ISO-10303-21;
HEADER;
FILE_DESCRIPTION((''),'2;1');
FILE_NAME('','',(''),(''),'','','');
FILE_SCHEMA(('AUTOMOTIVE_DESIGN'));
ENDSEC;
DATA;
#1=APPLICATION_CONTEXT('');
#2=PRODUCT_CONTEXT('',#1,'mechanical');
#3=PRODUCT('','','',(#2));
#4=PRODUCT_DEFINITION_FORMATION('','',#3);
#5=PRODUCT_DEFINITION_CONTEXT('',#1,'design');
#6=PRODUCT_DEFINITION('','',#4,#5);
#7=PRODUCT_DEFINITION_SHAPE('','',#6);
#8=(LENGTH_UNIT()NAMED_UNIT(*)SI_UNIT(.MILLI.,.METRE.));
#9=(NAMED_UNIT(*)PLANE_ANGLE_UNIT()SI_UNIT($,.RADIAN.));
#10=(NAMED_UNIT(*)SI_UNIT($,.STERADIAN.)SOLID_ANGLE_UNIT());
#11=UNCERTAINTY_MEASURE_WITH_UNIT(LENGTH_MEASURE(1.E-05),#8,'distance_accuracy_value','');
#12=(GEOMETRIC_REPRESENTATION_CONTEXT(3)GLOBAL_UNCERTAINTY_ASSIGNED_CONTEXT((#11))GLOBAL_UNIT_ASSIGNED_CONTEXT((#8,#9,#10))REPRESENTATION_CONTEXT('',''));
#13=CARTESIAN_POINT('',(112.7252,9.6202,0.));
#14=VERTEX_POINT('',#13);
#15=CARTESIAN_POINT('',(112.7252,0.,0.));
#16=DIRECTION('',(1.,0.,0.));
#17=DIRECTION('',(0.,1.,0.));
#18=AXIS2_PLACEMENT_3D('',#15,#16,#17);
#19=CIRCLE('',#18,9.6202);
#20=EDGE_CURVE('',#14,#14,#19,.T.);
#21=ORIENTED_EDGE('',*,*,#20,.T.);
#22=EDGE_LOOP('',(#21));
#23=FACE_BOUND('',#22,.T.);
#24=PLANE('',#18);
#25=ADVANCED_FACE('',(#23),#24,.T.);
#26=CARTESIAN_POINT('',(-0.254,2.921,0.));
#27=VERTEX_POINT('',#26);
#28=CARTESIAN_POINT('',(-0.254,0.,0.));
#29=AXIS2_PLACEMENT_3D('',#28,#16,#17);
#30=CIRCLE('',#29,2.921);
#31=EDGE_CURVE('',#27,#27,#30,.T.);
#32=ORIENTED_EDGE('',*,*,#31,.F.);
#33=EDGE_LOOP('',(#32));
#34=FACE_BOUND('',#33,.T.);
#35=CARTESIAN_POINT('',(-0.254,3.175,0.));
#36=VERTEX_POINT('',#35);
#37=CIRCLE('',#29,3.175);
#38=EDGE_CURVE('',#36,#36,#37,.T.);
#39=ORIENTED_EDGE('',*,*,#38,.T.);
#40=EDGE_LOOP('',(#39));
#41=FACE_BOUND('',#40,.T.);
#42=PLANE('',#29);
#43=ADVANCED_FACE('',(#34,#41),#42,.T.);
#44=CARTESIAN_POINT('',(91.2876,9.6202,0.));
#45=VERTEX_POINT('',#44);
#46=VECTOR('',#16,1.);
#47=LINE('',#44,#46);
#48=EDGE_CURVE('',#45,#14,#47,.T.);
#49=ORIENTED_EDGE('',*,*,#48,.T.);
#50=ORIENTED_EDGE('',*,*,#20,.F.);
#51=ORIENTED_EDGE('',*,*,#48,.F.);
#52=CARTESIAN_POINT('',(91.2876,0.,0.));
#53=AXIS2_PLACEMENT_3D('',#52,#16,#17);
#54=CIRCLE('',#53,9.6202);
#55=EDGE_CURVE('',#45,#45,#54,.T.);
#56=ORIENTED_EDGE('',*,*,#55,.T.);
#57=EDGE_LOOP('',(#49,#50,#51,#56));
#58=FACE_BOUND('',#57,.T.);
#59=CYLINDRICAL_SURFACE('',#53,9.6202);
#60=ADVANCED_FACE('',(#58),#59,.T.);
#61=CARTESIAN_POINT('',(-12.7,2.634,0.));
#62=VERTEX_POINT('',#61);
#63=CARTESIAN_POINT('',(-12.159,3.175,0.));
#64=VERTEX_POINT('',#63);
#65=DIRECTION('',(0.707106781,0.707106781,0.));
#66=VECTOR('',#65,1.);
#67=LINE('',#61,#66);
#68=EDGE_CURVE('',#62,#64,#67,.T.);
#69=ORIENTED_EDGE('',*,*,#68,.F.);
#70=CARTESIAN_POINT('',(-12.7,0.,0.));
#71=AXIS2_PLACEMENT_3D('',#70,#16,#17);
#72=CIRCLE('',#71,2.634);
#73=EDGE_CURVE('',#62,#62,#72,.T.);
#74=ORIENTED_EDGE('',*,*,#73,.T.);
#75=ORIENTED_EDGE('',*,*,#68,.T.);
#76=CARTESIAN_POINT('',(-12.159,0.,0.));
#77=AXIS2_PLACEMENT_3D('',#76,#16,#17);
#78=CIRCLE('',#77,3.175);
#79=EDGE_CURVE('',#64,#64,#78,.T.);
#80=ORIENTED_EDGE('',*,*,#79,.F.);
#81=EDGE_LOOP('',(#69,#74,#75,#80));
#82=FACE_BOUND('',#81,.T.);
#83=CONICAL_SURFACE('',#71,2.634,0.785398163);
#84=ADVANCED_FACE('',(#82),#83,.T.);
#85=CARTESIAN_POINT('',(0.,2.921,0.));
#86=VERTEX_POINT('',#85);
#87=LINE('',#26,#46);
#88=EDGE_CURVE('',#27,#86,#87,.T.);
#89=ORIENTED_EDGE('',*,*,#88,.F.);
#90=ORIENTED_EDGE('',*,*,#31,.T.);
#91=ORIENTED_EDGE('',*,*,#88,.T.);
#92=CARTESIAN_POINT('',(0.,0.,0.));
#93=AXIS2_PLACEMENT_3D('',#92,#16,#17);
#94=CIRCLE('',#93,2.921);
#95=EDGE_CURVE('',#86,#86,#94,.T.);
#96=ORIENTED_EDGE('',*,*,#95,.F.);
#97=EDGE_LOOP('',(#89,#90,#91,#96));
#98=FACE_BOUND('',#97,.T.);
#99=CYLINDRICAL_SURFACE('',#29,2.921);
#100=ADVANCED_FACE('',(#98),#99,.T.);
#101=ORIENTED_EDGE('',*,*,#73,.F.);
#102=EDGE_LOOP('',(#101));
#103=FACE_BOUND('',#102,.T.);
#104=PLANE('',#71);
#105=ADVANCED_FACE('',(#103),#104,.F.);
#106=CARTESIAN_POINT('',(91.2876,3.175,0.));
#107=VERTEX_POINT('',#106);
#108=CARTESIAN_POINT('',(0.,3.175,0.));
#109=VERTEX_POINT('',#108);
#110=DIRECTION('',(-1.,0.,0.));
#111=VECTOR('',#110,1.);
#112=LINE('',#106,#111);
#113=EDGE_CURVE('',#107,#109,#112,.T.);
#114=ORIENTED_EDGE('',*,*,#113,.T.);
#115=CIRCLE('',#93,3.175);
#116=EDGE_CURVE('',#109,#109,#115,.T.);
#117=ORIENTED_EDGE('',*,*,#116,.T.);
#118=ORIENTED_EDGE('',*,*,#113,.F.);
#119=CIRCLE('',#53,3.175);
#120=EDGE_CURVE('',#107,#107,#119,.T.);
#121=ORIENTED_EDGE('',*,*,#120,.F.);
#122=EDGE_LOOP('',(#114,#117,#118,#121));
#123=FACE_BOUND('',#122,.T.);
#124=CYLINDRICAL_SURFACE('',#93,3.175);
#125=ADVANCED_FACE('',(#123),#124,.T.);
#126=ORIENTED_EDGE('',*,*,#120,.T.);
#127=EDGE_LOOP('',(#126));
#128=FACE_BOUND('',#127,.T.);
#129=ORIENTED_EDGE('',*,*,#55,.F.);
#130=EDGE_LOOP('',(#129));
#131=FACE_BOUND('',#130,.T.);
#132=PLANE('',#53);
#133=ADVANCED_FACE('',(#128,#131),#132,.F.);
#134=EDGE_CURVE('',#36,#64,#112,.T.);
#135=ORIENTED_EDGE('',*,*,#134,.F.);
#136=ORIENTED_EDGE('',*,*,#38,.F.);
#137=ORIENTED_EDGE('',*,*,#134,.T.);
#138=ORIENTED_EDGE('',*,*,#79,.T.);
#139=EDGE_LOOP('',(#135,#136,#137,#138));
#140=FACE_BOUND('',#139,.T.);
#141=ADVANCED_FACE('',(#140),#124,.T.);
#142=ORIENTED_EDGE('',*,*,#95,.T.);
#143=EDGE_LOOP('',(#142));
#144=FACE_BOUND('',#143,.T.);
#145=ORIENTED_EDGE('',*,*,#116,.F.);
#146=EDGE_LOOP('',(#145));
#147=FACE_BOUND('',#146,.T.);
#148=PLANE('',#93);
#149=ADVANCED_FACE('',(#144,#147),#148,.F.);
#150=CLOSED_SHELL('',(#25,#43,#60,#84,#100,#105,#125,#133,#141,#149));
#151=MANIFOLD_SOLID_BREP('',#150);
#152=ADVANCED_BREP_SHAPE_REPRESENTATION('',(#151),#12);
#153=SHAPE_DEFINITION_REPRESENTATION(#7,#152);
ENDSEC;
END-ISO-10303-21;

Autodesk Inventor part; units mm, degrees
sketch "Sketch_1" plane through (0, 0, 0) normal (0, 0, 1) x (1, 0, 0)
  line L0 (112.7252, 0) -> (0, 0)
  line L1 (0, 0) -> (0, 3.175)
  line L2 (0, 3.175) -> (91.2876, 3.175)
  line L3 (91.2876, 3.175) -> (91.2876, 9.6202)
  line L4 (91.2876, 9.6202) -> (112.7252, 9.6202)
  line L5 (112.7252, 9.6202) -> (112.7252, 0)
  line L6 (112.7252, 0) -> (0, 0)
revolve "Revolution1" add sketch "Sketch_1" angle 360 about axis through (112.7252, 0, 0) along (1, 0, 0)
sketch "Sketch_3" plane through (0, 0, 0) normal (0, 0, 1) x (1, 0, 0)
  line L0 (0, 0) -> (-12.7, 0)
  line L1 (-12.7, 0) -> (-12.7, 2.634)
  line L2 (-12.7, 2.634) -> (-12.159, 3.175)
  line L3 (-12.159, 3.175) -> (0, 3.175)
  line L4 (0, 3.175) -> (0, 0)
  line L5 (0, 0) -> (-12.7, 0)
revolve "Revolution2" add sketch "Sketch_3" angle 360 about axis through (0, 0, 0) along (1, 0, 0)
sketch "Sketch_30" plane through (0, 0, 0) normal (0, 0, 1) x (1, 0, 0)
  line L0 (0, 0) -> (-0.254, 0)
  line L1 (-0.254, 2.921) -> (0, 2.921)
  line L2 (0, 2.921) -> (0, 3.429)
  line L3 (0, 3.429) -> (-0.254, 3.429)
  line L4 (-0.254, 3.429) -> (-0.254, 2.921)
revolve "Revolution3" cut sketch "Sketch_30" angle 360 about axis through (0, 0, 0) along (1, 0, 0)
ref_plane "dia1_XY" through (0, 3.175, 0) normal (1, 0, 0) x (0, 0, -1)
ref_plane "dia1_YZ" through (0, 3.175, 0) normal (0, 0, -1) x (0, 1, 0)
ref_plane "dia1_ZX" through (0, 3.175, 0) normal (0, 1, 0) x (1, 0, 0)
ref_plane "dia12_XY" through (0, 0, 10.9537) normal (1, 0, 0) x (0, 0, -1)
ref_plane "dia12_YZ" through (0, 0, 10.9537) normal (0, 0, -1) x (0, 1, 0)
ref_plane "dia12_ZX" through (0, 0, 10.9537) normal (0, 1, 0) x (1, 0, 0)
ref_plane "dia2_XY" through (0, -3.175, 0) normal (1, 0, 0) x (0, 0, -1)
ref_plane "dia2_YZ" through (0, -3.175, 0) normal (0, 0, -1) x (0, 1, 0)
ref_plane "dia2_ZX" through (0, -3.175, 0) normal (0, 1, 0) x (1, 0, 0)
ref_plane "dia22_XY" through (0, 0, -10.9537) normal (1, 0, 0) x (0, 0, -1)
ref_plane "dia22_YZ" through (0, 0, -10.9537) normal (0, 0, -1) x (0, 1, 0)
ref_plane "dia22_ZX" through (0, 0, -10.9537) normal (0, 1, 0) x (1, 0, 0)
ref_plane "rl1_XY" through (-12.7, 0, 0) normal (1, 0, 0) x (0, 0, -1)
ref_plane "rl1_YZ" through (-12.7, 0, 0) normal (0, 0, -1) x (0, 1, 0)
ref_plane "rl1_ZX" through (-12.7, 0, 0) normal (0, 1, 0) x (1, 0, 0)
ref_plane "rl2_XY" through (0, 0, 0) normal (1, 0, 0) x (0, 0, -1)
ref_plane "rl2_YZ" through (0, 0, 0) normal (0, 0, -1) x (0, 1, 0)
ref_plane "rl2_ZX" through (0, 0, 0) normal (0, 1, 0) x (1, 0, 0)
ref_plane "rod_cp_XY" through (0, 0, 0) normal (1, 0, 0) x (0, 0, -1)
ref_plane "rod_cp_YZ" through (0, 0, 0) normal (0, 0, -1) x (0, 1, 0)
ref_plane "rod_cp_ZX" through (0, 0, 0) normal (0, 1, 0) x (1, 0, 0)
ref_plane "thd1_XY" through (-12.7, 3.175, 0) normal (1, 0, 0) x (0, 0, -1)
ref_plane "thd1_YZ" through (-12.7, 3.175, 0) normal (0, 0, -1) x (0, 1, 0)
ref_plane "thd1_ZX" through (-12.7, 3.175, 0) normal (0, 1, 0) x (1, 0, 0)
ref_plane "thd2_XY" through (-12.7, -3.175, 0) normal (1, 0, 0) x (0, 0, -1)
ref_plane "thd2_YZ" through (-12.7, -3.175, 0) normal (0, 0, -1) x (0, 1, 0)
ref_plane "thd2_ZX" through (-12.7, -3.175, 0) normal (0, 1, 0) x (1, 0, 0)
ref_plane "to_rod_clevis_XY" through (-16.764, 0, 0) normal (1, 0, 0) x (0, 0, -1)
ref_plane "to_rod_clevis_YZ" through (-16.764, 0, 0) normal (0, 0, -1) x (0, 1, 0)
ref_plane "to_rod_clevis_ZX" through (-16.764, 0, 0) normal (0, 1, 0) x (1, 0, 0)
properties part number "SR-042-DPY0000_rod"
